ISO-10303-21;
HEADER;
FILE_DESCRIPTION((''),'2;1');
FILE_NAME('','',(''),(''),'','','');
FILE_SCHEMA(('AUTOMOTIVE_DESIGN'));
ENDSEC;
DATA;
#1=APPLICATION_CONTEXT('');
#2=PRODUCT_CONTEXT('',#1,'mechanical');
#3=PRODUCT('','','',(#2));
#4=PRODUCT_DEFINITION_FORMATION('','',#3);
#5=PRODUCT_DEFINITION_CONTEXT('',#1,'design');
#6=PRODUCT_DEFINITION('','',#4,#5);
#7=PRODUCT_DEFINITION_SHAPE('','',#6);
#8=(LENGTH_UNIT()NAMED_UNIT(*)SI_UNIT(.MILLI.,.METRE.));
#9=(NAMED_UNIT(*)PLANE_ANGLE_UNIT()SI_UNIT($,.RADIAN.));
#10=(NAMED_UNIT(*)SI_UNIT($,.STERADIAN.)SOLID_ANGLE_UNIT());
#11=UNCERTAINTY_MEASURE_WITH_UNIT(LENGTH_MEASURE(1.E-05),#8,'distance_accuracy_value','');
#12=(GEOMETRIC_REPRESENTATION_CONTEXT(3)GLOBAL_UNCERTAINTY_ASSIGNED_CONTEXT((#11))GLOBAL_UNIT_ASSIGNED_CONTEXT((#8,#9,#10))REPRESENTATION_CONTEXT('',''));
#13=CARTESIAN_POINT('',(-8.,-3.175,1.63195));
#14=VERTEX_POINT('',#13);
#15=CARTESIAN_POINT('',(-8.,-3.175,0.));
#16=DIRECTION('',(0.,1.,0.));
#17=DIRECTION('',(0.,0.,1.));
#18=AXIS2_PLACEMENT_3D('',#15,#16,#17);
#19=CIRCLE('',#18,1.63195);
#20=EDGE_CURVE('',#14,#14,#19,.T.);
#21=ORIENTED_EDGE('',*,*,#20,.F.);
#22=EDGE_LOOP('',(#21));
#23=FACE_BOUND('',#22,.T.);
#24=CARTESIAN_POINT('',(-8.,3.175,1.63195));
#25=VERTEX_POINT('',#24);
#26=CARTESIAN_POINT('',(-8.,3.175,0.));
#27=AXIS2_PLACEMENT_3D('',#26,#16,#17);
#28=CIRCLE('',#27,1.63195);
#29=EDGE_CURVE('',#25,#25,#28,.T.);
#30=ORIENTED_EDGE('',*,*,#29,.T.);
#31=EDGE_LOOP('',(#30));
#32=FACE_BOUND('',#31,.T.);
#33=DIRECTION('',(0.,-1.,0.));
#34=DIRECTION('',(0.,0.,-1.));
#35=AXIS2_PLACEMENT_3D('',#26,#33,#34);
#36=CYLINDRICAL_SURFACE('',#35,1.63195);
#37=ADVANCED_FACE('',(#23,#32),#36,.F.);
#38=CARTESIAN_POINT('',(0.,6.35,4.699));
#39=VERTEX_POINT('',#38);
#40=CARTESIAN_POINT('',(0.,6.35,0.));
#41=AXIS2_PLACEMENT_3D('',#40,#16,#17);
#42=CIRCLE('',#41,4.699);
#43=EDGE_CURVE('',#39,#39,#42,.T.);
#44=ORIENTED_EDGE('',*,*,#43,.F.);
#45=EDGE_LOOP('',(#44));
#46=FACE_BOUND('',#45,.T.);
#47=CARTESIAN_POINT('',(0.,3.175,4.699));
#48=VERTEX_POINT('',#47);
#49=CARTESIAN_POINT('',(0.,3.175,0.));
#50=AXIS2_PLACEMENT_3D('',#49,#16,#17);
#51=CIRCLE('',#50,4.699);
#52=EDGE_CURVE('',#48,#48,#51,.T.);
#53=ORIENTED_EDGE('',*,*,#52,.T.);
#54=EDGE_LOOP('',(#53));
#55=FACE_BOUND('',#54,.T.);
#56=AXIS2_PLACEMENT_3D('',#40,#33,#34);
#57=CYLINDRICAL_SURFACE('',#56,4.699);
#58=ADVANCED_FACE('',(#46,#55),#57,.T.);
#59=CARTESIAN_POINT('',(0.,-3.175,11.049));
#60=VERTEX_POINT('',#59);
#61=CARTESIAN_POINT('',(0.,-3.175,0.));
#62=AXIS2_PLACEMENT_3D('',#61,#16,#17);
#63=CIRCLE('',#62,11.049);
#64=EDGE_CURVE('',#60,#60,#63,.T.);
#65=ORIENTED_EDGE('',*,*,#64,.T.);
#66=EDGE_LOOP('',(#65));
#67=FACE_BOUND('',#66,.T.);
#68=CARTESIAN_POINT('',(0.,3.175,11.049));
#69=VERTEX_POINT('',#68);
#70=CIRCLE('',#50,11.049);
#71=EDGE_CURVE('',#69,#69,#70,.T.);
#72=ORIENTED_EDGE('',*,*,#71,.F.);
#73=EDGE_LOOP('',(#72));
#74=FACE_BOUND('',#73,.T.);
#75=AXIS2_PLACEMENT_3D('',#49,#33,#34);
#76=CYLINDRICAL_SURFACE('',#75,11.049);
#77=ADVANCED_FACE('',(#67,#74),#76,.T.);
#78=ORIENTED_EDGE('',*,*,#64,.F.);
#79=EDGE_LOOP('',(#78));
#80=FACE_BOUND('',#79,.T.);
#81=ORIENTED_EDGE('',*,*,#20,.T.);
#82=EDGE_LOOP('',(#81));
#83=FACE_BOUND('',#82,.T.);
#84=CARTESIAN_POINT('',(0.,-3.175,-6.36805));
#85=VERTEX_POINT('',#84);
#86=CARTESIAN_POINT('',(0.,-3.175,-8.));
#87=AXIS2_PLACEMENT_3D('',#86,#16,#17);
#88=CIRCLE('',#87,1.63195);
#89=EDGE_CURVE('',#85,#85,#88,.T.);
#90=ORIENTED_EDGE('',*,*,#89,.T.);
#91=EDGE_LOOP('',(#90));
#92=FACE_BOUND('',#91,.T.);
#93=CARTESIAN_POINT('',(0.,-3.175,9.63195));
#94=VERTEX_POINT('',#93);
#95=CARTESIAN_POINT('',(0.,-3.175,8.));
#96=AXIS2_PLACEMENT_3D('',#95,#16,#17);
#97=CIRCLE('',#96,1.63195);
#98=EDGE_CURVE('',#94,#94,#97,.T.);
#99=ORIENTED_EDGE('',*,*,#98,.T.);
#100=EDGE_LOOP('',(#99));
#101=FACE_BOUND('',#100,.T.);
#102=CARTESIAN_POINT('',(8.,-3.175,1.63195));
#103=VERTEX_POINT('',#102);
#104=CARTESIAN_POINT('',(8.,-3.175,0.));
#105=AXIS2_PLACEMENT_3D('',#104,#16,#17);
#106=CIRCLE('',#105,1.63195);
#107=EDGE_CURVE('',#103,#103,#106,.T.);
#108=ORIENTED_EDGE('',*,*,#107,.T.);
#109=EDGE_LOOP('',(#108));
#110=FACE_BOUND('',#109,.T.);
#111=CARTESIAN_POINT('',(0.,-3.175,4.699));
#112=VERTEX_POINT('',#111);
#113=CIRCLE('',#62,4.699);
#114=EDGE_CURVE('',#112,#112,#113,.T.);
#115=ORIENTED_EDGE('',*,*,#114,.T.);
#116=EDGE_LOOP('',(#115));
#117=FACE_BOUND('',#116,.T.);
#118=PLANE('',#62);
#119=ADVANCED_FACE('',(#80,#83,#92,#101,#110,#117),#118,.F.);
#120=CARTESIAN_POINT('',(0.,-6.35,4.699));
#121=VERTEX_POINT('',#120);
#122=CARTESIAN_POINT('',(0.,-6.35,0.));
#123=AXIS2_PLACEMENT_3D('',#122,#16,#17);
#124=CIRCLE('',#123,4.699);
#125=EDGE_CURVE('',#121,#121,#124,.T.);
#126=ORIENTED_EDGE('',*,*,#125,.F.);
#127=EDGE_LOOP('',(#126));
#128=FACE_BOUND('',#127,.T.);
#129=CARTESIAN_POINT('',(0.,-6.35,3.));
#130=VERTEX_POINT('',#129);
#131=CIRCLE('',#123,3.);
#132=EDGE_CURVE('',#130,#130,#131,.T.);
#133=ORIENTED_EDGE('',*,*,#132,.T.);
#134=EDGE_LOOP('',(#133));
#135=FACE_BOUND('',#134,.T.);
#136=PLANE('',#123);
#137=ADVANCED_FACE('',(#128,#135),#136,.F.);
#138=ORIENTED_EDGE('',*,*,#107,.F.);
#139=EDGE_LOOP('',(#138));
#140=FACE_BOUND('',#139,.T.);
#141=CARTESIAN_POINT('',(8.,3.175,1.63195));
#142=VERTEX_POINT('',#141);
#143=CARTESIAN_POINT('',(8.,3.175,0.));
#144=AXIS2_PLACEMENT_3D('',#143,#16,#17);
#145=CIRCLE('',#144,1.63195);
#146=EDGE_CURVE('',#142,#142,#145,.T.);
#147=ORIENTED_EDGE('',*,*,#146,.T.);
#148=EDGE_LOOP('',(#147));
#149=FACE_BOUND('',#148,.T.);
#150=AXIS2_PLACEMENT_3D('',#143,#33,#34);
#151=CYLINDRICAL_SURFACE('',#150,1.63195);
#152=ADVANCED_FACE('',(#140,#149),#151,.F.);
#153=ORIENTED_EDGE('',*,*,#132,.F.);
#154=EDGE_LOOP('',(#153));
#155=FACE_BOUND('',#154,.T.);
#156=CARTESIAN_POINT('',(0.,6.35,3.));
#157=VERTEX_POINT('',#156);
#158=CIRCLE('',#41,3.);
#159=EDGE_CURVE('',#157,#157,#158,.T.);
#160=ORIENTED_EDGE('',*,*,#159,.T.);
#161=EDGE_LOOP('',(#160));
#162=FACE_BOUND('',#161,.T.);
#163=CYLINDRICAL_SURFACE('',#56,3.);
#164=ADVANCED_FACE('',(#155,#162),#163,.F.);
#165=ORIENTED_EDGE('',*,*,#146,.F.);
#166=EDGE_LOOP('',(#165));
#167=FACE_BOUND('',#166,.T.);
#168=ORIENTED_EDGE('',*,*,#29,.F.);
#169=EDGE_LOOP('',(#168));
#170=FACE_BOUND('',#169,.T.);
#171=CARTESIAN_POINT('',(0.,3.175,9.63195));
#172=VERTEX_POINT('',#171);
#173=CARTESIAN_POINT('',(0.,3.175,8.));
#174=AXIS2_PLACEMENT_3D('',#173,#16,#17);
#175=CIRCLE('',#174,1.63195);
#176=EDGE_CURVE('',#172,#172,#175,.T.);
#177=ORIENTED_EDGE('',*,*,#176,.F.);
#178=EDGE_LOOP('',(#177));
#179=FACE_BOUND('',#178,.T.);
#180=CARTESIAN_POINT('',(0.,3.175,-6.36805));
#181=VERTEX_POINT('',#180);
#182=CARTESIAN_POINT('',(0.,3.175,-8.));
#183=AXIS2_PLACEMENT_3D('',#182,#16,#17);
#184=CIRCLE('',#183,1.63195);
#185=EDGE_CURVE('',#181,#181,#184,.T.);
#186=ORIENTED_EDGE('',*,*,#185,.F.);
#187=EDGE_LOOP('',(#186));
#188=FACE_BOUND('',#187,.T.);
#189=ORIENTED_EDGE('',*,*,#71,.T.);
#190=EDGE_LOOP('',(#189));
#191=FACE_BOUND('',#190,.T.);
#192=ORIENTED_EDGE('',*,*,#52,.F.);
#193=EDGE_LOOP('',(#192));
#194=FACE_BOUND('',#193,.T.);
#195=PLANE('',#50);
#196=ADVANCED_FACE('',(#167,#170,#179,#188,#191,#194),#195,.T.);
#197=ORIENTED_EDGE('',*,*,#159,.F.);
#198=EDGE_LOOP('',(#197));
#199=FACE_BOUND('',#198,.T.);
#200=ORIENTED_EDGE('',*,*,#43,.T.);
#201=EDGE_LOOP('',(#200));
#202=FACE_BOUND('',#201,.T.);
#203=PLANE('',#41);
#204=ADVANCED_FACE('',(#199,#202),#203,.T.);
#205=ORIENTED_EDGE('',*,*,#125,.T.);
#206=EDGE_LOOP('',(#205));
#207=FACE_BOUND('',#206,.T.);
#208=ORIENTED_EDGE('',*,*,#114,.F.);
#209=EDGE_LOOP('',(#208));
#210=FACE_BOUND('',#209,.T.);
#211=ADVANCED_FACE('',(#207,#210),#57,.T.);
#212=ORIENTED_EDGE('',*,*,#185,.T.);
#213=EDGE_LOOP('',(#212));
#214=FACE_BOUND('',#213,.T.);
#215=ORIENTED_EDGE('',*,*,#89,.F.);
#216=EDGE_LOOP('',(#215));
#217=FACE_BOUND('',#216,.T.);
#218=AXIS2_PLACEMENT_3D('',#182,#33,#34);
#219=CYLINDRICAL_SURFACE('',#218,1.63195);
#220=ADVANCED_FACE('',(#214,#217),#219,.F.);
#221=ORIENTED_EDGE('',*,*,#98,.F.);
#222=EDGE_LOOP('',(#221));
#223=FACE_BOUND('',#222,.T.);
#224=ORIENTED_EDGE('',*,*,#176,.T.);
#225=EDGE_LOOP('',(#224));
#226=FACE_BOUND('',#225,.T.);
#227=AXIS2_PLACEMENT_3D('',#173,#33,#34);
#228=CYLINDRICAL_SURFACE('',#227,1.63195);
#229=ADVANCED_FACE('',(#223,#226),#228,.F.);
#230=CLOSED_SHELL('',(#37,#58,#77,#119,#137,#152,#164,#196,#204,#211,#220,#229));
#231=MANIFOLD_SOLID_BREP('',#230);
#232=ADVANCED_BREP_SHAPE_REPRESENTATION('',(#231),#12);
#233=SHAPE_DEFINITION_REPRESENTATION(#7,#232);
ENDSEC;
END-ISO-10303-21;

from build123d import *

# Parameters (mm, degrees)
SKETCH1_R           = 4.699
SKETCH1_R_2         = 3
BOSS_EXTRUDE1_DEPTH = 6.35
SKETCH1_3_R         = 11.049
SKETCH1_3_R_2       = 1.63195
SKETCH1_3_R_3       = 4.699
BOSS_EXTRUDE2_DEPTH = 3.175


with BuildPart() as part:
    # Sketch1 → Boss-Extrude1 (new, symmetric)
    with BuildSketch(Plane(origin=(0, 0, 0), x_dir=(1, 0, 0), z_dir=(0, 1, 0))):
        Circle(SKETCH1_R)
        Circle(SKETCH1_R_2, mode=Mode.SUBTRACT)
    extrude(amount=BOSS_EXTRUDE1_DEPTH, both=True)

    # Sketch1<3> → Boss-Extrude2 (add, symmetric)
    with BuildSketch(Plane(origin=(0, 0, 0), x_dir=(1, 0, 0), z_dir=(0, 1, 0))):
        Circle(SKETCH1_3_R)
        with Locations((-8, 0)):
            Circle(SKETCH1_3_R_2, mode=Mode.SUBTRACT)
        Circle(SKETCH1_3_R_3, mode=Mode.SUBTRACT)
        with Locations((0, -8)):
            Circle(SKETCH1_3_R_2, mode=Mode.SUBTRACT)
        with Locations((0, 8)):
            Circle(SKETCH1_3_R_2, mode=Mode.SUBTRACT)
        with Locations((8, 0)):
            Circle(SKETCH1_3_R_2, mode=Mode.SUBTRACT)
    extrude(amount=BOSS_EXTRUDE2_DEPTH, both=True)


solid = part.part
